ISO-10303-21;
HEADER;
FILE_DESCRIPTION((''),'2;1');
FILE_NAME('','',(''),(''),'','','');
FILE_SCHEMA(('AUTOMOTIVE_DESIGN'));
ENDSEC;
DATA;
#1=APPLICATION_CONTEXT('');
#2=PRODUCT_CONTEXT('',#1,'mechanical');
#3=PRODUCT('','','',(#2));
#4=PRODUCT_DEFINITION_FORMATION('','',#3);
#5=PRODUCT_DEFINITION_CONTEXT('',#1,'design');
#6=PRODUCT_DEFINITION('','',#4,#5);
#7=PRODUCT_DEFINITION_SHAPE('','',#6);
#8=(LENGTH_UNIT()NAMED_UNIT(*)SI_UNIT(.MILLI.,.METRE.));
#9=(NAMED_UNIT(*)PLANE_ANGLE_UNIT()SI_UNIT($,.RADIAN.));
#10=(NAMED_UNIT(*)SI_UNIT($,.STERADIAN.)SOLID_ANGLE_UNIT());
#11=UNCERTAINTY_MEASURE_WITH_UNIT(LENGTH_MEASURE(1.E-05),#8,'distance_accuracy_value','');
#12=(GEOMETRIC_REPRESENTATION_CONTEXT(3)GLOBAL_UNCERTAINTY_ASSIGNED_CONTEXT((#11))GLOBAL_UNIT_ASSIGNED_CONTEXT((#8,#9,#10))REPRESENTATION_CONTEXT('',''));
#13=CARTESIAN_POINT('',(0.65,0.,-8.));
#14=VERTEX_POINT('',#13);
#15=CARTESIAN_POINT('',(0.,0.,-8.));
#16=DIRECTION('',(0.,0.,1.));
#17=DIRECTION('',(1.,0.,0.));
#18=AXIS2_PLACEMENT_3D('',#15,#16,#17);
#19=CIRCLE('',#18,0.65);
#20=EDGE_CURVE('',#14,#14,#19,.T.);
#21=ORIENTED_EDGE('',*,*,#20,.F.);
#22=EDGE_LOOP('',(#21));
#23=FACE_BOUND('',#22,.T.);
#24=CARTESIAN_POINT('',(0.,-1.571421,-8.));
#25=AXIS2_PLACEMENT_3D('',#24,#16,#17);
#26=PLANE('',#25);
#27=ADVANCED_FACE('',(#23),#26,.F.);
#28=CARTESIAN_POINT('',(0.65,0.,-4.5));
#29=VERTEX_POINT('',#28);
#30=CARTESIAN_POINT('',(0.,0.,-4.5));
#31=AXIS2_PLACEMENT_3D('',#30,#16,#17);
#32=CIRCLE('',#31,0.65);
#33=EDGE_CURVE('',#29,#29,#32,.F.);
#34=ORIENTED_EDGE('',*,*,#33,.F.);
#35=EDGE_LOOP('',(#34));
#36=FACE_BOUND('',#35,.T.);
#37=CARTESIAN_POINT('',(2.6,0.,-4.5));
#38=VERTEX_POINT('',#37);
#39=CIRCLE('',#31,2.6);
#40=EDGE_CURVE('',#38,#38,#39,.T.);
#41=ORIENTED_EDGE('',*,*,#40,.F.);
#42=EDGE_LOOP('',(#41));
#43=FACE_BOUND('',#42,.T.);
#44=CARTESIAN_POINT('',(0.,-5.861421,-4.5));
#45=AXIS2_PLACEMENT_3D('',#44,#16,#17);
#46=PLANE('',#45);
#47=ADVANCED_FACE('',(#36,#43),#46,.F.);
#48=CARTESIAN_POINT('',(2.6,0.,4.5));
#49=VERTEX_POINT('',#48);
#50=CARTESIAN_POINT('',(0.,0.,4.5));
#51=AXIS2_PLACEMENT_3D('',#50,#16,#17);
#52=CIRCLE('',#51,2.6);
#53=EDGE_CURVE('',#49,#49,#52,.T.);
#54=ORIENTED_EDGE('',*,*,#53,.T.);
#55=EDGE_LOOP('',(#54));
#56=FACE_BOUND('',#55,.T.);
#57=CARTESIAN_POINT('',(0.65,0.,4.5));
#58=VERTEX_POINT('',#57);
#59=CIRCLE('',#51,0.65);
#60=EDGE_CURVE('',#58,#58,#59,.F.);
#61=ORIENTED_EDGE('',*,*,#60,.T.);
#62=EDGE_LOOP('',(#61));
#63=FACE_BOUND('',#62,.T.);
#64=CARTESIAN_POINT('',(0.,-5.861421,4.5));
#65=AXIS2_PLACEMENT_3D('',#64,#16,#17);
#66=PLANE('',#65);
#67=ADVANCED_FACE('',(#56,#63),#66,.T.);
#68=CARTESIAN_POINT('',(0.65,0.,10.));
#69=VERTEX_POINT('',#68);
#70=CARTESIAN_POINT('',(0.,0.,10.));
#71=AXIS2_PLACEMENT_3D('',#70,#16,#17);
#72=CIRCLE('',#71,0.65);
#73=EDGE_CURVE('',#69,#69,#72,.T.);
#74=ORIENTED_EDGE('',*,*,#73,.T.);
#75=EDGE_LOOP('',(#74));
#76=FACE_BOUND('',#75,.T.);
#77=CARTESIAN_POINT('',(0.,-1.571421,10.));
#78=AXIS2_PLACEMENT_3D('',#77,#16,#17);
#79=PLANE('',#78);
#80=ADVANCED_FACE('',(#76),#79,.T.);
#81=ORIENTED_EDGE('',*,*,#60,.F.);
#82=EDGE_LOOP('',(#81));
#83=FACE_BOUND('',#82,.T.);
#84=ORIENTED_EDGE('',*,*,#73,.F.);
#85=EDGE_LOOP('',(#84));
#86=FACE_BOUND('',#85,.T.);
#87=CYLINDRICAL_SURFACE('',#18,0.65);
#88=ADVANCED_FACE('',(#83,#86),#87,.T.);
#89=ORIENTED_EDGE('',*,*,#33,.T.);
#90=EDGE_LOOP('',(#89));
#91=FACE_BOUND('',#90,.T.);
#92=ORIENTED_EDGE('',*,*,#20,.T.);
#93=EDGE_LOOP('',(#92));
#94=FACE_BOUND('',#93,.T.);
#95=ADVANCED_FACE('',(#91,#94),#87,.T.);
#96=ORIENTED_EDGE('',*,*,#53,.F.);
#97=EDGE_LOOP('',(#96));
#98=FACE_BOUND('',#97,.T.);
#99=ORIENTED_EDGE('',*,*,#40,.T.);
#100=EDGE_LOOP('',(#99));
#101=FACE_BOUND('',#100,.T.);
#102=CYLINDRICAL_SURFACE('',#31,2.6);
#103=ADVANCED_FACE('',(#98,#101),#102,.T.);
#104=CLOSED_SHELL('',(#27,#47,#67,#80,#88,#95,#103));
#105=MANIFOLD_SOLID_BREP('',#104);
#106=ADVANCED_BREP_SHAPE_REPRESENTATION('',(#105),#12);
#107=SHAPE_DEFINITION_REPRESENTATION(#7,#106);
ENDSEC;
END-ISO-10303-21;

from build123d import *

# Parameters (mm, degrees)
SKETCH_1_R           = 0.65
EXTRUDE_1_DEPTH      = 10
EXTRUDE_1_DEPTH_BACK = 8
SKETCH_2_R           = 2.6
EXTRUDE_3_DEPTH      = 4.5
EXTRUDE_3_DEPTH_BACK = 4.5


with BuildPart() as part:
    # Эскиз1 → Бобышка-Вытянуть1 (new body, two sides)
    with BuildSketch(Plane.XY) as extrude_1_sk:
        Circle(SKETCH_1_R)
    extrude(amount=EXTRUDE_1_DEPTH)
    extrude(extrude_1_sk.sketch, amount=-EXTRUDE_1_DEPTH_BACK)

    # Эскиз2 → Бобышка-Вытянуть3 (add, two sides)
    with BuildSketch(Plane.XY) as extrude_3_sk:
        Circle(SKETCH_2_R)
    extrude(amount=EXTRUDE_3_DEPTH)
    extrude(extrude_3_sk.sketch, amount=-EXTRUDE_3_DEPTH_BACK)


solid = part.part
